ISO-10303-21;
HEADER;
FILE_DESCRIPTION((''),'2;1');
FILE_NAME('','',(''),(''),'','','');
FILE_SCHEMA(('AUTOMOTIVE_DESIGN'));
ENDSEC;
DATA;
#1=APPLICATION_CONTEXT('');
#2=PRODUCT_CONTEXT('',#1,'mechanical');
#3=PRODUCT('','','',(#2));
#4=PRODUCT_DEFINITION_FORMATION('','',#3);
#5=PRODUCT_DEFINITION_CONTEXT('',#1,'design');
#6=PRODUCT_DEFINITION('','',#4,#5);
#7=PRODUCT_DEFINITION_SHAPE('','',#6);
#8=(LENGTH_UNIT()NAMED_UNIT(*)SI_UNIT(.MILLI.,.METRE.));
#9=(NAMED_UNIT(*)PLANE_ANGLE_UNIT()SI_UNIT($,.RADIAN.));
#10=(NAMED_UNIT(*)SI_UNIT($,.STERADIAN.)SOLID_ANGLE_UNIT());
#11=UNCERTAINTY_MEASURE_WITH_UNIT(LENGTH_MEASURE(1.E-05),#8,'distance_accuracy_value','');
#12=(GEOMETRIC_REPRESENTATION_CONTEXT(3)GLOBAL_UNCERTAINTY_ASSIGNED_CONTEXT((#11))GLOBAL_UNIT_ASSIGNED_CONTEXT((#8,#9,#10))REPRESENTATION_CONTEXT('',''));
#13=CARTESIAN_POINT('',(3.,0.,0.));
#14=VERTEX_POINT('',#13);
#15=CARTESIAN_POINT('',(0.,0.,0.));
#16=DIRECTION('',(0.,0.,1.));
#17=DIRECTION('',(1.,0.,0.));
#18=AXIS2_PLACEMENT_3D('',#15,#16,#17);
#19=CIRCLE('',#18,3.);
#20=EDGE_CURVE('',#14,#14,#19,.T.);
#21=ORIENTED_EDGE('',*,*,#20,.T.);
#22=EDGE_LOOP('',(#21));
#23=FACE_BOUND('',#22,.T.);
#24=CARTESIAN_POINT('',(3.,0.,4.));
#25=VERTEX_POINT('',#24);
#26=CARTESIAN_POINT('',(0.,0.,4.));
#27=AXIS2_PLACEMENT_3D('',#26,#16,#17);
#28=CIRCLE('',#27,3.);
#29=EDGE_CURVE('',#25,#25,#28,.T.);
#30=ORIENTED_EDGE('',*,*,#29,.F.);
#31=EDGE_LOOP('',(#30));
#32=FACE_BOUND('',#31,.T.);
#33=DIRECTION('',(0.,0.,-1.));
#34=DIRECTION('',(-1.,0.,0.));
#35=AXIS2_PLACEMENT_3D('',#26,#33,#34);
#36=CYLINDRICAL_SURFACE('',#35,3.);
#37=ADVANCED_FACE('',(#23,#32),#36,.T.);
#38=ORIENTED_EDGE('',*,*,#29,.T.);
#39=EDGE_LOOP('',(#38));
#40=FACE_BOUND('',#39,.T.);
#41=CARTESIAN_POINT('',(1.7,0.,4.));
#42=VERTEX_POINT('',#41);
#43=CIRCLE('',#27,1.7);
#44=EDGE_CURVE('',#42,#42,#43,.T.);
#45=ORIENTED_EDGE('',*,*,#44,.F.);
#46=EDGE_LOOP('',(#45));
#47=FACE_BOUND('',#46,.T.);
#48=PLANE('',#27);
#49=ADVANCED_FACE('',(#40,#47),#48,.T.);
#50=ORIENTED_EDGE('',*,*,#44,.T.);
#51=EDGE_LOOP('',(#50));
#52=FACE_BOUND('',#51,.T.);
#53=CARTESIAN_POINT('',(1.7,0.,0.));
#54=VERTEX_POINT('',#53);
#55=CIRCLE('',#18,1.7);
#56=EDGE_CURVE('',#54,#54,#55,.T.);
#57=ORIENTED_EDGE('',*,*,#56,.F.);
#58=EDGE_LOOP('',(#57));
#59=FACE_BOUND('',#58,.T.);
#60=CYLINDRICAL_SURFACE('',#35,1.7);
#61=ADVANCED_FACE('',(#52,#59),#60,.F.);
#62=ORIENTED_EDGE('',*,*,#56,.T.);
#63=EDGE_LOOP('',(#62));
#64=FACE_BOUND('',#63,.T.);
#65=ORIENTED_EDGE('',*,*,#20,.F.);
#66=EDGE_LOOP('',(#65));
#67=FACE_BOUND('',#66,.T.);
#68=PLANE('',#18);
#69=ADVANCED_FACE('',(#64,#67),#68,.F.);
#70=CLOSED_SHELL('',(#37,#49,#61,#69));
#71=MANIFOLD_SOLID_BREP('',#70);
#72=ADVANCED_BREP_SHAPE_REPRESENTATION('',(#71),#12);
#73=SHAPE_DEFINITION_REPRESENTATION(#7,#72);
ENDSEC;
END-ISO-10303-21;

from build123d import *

# Parameters (mm, degrees)
SKETCH1_R         = 3
SKETCH1_R_2       = 1.7
BASE_SPACER_DEPTH = 4


with BuildPart() as part:
    # Sketch1 → Base_Spacer (new body)
    with BuildSketch(Plane.XY):
        Circle(SKETCH1_R)
        Circle(SKETCH1_R_2, mode=Mode.SUBTRACT)
    extrude(amount=BASE_SPACER_DEPTH)


solid = part.part
